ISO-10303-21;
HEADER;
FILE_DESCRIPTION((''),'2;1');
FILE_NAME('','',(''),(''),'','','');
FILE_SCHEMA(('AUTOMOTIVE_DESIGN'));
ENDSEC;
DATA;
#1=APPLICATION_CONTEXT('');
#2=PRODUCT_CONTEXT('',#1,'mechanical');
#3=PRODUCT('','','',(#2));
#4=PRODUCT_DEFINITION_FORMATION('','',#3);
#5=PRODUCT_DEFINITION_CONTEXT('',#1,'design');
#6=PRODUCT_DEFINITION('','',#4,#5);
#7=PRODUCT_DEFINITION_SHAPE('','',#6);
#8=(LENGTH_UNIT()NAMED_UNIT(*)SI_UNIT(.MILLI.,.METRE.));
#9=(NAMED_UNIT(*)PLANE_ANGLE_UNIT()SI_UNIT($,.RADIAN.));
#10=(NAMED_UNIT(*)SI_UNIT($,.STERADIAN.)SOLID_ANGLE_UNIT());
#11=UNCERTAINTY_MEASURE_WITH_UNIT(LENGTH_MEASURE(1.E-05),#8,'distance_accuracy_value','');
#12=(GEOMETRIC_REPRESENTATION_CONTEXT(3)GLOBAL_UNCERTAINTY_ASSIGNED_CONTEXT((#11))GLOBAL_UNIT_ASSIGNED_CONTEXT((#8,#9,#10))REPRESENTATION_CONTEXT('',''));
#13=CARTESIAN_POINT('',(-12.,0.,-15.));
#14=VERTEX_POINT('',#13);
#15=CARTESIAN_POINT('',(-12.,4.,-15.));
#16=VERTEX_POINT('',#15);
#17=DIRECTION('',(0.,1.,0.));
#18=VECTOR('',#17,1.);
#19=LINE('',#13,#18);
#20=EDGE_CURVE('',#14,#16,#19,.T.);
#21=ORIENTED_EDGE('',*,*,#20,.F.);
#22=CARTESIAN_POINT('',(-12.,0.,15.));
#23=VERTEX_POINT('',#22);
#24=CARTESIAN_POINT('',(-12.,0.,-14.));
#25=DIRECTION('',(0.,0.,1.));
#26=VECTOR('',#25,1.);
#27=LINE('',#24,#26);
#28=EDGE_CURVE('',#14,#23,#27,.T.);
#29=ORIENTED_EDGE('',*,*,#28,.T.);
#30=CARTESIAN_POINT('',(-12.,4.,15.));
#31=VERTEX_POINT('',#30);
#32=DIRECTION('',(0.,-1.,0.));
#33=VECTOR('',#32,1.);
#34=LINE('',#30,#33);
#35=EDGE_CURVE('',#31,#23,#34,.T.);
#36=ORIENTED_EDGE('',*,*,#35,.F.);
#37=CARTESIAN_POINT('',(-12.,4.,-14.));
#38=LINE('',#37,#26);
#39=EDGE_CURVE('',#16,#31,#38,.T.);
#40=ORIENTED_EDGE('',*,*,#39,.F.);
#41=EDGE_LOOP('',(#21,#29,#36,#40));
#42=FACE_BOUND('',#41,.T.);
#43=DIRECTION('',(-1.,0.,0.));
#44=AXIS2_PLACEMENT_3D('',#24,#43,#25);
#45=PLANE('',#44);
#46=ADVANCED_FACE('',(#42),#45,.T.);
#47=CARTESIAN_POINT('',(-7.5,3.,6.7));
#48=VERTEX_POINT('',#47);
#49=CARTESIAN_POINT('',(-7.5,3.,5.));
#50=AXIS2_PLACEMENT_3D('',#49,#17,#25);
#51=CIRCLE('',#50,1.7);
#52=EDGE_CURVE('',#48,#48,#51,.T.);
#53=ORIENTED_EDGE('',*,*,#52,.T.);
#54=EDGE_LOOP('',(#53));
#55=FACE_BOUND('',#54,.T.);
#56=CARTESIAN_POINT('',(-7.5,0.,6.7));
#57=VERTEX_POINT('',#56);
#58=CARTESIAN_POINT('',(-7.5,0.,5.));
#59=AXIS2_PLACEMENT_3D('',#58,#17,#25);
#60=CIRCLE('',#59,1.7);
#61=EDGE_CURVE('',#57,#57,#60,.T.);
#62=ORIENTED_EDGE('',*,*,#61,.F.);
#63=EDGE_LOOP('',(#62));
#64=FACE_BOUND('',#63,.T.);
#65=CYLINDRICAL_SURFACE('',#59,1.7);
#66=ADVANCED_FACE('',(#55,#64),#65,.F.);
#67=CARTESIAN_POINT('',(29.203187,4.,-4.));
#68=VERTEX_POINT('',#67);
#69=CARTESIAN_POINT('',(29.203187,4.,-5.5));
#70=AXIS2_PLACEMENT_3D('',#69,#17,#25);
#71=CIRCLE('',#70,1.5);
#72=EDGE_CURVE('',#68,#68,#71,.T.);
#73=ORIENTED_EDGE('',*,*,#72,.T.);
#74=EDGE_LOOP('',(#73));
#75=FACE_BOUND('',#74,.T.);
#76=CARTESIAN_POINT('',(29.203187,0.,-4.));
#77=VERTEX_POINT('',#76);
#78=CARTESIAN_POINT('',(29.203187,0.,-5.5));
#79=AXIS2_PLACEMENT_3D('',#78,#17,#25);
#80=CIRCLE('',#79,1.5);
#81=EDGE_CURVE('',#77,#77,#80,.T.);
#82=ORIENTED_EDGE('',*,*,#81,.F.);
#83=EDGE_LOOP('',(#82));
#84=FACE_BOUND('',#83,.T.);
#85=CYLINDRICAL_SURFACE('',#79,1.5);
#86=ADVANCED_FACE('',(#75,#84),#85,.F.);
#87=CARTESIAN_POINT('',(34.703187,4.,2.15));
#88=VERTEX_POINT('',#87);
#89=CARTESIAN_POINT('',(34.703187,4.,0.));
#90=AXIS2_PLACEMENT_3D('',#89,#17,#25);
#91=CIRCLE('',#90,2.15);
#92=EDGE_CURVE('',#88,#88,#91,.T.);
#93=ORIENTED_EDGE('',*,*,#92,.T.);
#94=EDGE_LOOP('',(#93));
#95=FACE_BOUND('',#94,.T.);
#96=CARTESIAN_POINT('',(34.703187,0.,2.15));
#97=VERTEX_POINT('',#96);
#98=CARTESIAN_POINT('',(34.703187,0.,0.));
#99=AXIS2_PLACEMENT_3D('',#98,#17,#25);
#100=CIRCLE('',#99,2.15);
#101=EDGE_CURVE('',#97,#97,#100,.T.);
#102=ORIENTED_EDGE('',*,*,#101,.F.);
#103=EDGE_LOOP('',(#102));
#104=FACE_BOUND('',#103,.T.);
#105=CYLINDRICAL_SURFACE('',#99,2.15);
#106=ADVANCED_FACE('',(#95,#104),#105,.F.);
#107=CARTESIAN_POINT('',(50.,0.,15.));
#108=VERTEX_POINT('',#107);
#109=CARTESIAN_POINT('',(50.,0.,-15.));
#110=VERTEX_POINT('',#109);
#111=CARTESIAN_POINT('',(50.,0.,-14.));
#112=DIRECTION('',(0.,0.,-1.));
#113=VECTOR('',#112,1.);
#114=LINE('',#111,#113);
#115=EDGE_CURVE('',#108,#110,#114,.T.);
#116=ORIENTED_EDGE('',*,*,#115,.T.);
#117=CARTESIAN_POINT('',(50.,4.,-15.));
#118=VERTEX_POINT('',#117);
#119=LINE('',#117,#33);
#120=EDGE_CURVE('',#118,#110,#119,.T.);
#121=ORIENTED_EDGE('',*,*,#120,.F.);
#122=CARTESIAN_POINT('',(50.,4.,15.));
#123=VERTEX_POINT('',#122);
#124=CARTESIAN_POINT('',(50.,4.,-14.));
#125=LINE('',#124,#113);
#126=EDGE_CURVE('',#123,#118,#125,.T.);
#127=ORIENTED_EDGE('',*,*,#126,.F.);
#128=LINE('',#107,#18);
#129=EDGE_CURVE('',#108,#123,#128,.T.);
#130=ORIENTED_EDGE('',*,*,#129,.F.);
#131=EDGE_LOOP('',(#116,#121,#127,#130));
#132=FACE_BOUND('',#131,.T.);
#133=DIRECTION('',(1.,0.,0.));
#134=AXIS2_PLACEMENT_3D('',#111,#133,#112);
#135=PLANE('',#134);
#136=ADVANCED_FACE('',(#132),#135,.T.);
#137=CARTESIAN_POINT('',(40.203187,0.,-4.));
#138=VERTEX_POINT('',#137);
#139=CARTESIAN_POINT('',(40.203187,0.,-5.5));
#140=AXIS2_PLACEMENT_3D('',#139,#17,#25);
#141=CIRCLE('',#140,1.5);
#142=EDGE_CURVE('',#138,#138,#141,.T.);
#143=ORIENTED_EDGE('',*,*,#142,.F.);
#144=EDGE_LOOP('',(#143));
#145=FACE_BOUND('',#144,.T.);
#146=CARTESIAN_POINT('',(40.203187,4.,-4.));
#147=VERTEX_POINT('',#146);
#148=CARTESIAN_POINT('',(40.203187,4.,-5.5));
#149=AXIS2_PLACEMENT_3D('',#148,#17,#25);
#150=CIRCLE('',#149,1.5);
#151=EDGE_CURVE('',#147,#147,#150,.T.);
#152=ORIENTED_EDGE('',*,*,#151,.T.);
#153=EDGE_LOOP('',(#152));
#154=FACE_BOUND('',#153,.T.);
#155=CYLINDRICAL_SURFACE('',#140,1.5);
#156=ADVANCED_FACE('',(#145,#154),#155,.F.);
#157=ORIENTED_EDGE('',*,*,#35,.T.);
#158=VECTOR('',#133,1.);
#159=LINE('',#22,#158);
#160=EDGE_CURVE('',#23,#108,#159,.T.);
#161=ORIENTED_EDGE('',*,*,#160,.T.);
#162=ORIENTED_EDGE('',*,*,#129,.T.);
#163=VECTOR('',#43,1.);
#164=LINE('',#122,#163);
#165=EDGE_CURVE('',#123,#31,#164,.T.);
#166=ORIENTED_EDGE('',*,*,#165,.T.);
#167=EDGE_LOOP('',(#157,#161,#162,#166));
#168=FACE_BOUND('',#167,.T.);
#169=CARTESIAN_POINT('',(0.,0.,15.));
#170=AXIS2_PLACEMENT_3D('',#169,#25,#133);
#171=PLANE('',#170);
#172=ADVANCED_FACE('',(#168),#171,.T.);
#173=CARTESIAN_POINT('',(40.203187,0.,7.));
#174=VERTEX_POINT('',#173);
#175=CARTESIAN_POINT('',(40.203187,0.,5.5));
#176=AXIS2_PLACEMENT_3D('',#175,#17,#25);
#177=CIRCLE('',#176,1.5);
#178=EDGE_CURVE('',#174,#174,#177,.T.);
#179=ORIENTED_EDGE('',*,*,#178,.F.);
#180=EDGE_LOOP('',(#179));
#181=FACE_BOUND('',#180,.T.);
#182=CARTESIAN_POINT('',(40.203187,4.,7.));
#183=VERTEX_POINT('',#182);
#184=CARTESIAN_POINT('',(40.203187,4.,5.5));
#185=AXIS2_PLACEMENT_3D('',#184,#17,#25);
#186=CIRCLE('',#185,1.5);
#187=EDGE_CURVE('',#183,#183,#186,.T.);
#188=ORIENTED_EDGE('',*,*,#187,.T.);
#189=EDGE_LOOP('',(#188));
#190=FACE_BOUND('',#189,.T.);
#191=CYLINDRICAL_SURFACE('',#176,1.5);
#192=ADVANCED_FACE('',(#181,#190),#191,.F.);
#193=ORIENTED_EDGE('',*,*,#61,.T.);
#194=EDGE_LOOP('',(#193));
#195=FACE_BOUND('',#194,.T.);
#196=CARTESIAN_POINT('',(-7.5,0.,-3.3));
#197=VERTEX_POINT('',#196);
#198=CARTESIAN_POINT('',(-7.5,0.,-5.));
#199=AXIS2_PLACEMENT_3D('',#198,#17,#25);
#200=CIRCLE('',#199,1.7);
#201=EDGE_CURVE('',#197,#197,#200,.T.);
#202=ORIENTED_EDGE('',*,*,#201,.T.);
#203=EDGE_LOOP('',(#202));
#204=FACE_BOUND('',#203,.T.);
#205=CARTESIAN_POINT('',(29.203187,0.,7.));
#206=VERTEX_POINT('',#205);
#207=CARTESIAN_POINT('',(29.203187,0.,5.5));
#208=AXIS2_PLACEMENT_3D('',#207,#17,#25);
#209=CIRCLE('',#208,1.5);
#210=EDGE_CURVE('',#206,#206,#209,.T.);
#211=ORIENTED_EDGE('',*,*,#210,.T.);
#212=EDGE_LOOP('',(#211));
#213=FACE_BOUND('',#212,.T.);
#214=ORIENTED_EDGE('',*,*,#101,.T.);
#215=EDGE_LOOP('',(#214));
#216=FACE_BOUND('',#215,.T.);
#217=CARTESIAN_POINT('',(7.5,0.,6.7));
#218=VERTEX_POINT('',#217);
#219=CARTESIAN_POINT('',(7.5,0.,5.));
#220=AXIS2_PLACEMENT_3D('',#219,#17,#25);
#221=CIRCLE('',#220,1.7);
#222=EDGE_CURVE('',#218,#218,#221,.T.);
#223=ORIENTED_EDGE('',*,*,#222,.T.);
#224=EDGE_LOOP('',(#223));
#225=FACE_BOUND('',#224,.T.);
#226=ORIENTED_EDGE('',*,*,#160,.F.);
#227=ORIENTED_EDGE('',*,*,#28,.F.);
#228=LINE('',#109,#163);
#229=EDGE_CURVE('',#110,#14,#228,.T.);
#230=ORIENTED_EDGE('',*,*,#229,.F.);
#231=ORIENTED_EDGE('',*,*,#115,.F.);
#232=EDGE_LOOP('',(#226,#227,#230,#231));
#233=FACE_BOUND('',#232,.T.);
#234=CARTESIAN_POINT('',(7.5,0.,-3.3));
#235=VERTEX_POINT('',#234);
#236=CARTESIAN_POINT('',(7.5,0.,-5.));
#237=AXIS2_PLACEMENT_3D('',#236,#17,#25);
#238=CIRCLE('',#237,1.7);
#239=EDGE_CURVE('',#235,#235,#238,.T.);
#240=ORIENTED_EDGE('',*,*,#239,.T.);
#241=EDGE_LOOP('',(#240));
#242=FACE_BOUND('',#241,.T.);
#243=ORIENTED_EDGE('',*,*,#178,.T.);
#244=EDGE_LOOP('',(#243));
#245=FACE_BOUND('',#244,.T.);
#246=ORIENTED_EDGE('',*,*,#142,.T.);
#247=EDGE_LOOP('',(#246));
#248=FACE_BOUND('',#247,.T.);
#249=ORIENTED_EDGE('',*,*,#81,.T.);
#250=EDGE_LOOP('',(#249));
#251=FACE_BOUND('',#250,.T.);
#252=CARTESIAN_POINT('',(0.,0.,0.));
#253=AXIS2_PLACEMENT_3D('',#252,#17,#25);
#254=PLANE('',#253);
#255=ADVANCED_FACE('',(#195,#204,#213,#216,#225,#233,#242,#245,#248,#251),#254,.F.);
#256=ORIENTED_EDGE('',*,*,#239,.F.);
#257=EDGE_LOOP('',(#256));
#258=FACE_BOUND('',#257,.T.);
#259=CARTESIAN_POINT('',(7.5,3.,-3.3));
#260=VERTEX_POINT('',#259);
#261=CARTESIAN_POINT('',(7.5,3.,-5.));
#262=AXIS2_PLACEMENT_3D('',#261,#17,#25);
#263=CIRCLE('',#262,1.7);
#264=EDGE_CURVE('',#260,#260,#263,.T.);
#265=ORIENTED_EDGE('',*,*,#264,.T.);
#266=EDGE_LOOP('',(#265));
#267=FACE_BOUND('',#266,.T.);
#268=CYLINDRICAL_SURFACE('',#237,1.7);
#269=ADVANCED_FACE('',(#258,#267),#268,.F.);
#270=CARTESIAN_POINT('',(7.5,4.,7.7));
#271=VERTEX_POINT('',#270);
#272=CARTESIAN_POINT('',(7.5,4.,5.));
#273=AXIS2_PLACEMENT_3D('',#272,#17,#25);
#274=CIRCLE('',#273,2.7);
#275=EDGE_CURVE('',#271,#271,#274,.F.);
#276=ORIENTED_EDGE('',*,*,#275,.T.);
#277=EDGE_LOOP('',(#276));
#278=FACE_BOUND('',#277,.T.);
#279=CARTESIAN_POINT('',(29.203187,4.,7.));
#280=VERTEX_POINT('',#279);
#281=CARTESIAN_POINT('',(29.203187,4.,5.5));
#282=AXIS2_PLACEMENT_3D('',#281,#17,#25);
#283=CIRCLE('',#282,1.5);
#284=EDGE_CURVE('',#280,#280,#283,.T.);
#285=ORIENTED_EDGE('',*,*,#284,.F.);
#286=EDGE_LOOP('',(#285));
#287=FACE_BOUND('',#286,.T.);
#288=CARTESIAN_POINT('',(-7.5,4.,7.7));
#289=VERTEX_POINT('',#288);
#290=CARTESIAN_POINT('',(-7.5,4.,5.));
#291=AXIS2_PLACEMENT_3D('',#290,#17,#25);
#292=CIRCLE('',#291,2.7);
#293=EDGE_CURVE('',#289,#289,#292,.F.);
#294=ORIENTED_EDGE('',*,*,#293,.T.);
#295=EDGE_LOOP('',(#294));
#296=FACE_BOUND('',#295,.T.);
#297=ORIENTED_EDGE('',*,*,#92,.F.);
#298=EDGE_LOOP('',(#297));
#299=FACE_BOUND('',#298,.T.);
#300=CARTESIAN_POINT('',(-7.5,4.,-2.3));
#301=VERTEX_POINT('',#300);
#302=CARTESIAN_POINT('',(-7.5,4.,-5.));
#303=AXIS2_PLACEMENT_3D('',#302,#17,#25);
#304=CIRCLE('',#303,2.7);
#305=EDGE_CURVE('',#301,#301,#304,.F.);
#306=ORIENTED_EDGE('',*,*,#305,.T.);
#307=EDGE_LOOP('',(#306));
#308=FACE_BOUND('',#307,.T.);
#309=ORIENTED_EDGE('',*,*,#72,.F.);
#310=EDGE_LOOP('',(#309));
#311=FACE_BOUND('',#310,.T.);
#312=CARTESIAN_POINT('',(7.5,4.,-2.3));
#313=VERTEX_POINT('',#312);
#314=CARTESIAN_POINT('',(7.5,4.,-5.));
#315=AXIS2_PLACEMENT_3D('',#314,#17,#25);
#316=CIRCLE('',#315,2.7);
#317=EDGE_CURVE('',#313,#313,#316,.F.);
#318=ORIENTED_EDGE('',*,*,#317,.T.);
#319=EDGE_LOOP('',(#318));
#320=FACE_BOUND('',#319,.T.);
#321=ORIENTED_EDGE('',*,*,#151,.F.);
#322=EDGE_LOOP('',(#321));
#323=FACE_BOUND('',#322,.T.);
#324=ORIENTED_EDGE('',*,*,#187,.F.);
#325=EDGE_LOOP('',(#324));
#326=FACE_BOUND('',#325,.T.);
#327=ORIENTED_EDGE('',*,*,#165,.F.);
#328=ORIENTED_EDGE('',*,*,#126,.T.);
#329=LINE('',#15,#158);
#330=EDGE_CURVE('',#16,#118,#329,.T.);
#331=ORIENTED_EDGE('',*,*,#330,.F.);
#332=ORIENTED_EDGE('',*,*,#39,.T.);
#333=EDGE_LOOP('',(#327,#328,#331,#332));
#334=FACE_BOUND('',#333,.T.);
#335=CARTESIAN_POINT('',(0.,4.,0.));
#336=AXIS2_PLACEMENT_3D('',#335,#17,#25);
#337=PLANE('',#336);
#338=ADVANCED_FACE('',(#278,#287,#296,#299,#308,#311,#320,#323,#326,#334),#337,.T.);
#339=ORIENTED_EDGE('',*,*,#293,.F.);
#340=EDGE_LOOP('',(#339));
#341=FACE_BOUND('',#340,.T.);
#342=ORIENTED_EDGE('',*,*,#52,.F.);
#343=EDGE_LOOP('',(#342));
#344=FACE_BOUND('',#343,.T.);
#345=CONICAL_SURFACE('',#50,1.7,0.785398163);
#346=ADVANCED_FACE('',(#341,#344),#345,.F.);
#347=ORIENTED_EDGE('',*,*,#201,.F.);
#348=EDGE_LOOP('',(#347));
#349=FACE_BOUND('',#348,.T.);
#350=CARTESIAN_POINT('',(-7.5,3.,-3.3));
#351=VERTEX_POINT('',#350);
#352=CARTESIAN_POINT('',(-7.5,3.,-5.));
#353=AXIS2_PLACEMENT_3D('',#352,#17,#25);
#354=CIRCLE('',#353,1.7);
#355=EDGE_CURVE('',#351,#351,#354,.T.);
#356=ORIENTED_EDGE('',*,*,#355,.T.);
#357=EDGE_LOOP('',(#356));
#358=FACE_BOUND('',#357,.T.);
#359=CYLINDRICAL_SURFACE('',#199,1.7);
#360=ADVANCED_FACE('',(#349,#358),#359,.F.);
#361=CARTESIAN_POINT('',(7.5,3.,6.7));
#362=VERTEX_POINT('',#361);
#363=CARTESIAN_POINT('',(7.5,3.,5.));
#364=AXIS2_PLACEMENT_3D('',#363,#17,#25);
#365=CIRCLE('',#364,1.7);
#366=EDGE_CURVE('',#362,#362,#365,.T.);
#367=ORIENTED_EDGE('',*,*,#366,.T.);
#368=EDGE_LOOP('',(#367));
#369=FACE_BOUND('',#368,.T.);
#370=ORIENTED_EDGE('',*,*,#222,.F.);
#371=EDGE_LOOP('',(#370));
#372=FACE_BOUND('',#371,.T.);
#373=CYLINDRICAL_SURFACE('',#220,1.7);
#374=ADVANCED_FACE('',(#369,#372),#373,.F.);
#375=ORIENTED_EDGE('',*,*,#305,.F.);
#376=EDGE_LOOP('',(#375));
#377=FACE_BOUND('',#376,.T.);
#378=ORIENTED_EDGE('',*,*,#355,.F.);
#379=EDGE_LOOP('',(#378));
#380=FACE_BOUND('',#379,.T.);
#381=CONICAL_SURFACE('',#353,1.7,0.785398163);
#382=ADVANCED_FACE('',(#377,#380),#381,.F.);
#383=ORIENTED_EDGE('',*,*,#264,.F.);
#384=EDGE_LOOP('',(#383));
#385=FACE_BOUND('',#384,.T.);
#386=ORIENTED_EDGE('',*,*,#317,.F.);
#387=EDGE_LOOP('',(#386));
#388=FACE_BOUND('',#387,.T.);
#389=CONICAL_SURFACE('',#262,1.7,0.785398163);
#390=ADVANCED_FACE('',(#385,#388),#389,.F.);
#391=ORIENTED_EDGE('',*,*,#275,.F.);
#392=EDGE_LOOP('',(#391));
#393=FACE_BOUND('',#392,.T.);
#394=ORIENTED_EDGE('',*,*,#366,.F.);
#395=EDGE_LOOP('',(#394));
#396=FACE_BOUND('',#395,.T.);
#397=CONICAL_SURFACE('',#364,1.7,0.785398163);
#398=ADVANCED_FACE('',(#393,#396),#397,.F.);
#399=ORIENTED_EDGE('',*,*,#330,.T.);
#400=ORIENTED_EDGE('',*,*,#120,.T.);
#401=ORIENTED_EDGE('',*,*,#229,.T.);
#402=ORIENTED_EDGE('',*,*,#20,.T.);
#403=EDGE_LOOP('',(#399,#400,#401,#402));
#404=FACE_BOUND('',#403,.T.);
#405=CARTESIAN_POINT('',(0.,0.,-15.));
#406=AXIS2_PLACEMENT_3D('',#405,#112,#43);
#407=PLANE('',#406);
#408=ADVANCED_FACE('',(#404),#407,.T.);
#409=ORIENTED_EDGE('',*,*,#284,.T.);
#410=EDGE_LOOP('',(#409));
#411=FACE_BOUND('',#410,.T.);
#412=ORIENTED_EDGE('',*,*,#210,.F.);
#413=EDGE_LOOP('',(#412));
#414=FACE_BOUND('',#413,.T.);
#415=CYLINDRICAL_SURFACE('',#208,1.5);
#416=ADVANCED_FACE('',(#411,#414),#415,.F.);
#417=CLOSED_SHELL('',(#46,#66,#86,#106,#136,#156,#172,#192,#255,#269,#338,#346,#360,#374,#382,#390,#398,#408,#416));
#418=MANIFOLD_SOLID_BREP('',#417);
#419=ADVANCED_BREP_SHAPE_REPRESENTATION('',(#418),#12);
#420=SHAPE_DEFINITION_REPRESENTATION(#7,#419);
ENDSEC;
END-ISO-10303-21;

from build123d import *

# Parameters (mm, degrees)
SKETCH1_W           = 20
SKETCH1_H           = 28
BOSS_EXTRUDE1_DEPTH = 4
SKETCH2_R           = 1.7
CUT_EXTRUDE1_DEPTH  = 4
SKETCH6_W           = 40
SKETCH6_H           = 28
BOSS_EXTRUDE2_DEPTH = 4
SKETCH7_W           = 2
SKETCH7_H           = 28
BOSS_EXTRUDE3_DEPTH = 4
CHAMFER2_SIZE       = 1
SKETCH8_R           = 2.15
SKETCH8_R_2         = 1.5
CUT_EXTRUDE2_DEPTH  = 4
SKETCH12_W          = 62
SKETCH12_H          = 4
BOSS_EXTRUDE4_DEPTH = 1
SKETCH13_W          = 62
SKETCH13_H          = 4
BOSS_EXTRUDE5_DEPTH = 1


with BuildPart() as part:
    # Sketch1 → Boss-Extrude1 (new body)
    with BuildSketch(Plane(origin=(0, 0, 0), x_dir=(1, 0, 0), z_dir=(0, 1, 0))):
        Rectangle(SKETCH1_W, SKETCH1_H)
    extrude(amount=BOSS_EXTRUDE1_DEPTH)

    # Sketch2 → Cut-Extrude1 (cut)
    with BuildSketch(Plane(origin=(0, 4, 0), x_dir=(1, 0, 0), z_dir=(0, 1, 0))):
        with Locations(Location((-7.5, 5, 0), (0, 0, 270))):
            Circle(SKETCH2_R)
        with Locations(Location((-7.5, -5, 0), (0, 0, 270))):
            Circle(SKETCH2_R)
        with Locations(Location((7.5, -5, 0), (0, 0, 270))):
            Circle(SKETCH2_R)
        with Locations(Location((7.5, 5, 0), (0, 0, 270))):
            Circle(SKETCH2_R)
    extrude(amount=-CUT_EXTRUDE1_DEPTH, mode=Mode.SUBTRACT)

    # Sketch6 → Boss-Extrude2 (add)
    with BuildSketch(Plane(origin=(0, 4, 0), x_dir=(1, 0, 0), z_dir=(0, 1, 0))):
        with Locations((30, 0)):
            Rectangle(SKETCH6_W, SKETCH6_H)
    extrude(amount=-BOSS_EXTRUDE2_DEPTH)

    # Sketch7 → Boss-Extrude3 (add)
    with BuildSketch(Plane(origin=(0, 4, 0), x_dir=(1, 0, 0), z_dir=(0, 1, 0))):
        with Locations((-11, 0)):
            Rectangle(SKETCH7_W, SKETCH7_H)
    extrude(amount=-BOSS_EXTRUDE3_DEPTH)

    # Chamfer2
    chamfer2_edges = [part.edges().sort_by_distance(p)[0] for p in [
        (-7.5, 4, 3.3),
        (7.5, 4, -6.7),
        (-7.5, 4, -6.7),
        (7.5, 4, 3.3),
    ]]
    chamfer(chamfer2_edges, length=CHAMFER2_SIZE)

    # Sketch8 → Cut-Extrude2 (cut)
    with BuildSketch(Plane(origin=(0, 4, 0), x_dir=(1, 0, 0), z_dir=(0, 1, 0))):
        with Locations(Location((34.703187254, 0, 0), (0, 0, 270))):
            Circle(SKETCH8_R)
        with Locations(Location((29.203187254, 5.5, 0), (0, 0, 270))):
            Circle(SKETCH8_R_2)
        with Locations(Location((40.203187254, 5.5, 0), (0, 0, 270))):
            Circle(SKETCH8_R_2)
        with Locations(Location((40.203187254, -5.5, 0), (0, 0, 270))):
            Circle(SKETCH8_R_2)
        with Locations(Location((29.203187254, -5.5, 0), (0, 0, 270))):
            Circle(SKETCH8_R_2)
    extrude(amount=-CUT_EXTRUDE2_DEPTH, mode=Mode.SUBTRACT)

    # Sketch12 → Boss-Extrude4 (add)
    with BuildSketch(Plane.XY.offset(14)):
        with Locations((19, 2)):
            Rectangle(SKETCH12_W, SKETCH12_H)
    extrude(amount=BOSS_EXTRUDE4_DEPTH)

    # Sketch13 → Boss-Extrude5 (add)
    with BuildSketch(Plane(origin=(0, 0, -14), x_dir=(-1, 0, 0), z_dir=(0, 0, -1))):
        with Locations((-19, 2)):
            Rectangle(SKETCH13_W, SKETCH13_H)
    extrude(amount=BOSS_EXTRUDE5_DEPTH)


solid = part.part
